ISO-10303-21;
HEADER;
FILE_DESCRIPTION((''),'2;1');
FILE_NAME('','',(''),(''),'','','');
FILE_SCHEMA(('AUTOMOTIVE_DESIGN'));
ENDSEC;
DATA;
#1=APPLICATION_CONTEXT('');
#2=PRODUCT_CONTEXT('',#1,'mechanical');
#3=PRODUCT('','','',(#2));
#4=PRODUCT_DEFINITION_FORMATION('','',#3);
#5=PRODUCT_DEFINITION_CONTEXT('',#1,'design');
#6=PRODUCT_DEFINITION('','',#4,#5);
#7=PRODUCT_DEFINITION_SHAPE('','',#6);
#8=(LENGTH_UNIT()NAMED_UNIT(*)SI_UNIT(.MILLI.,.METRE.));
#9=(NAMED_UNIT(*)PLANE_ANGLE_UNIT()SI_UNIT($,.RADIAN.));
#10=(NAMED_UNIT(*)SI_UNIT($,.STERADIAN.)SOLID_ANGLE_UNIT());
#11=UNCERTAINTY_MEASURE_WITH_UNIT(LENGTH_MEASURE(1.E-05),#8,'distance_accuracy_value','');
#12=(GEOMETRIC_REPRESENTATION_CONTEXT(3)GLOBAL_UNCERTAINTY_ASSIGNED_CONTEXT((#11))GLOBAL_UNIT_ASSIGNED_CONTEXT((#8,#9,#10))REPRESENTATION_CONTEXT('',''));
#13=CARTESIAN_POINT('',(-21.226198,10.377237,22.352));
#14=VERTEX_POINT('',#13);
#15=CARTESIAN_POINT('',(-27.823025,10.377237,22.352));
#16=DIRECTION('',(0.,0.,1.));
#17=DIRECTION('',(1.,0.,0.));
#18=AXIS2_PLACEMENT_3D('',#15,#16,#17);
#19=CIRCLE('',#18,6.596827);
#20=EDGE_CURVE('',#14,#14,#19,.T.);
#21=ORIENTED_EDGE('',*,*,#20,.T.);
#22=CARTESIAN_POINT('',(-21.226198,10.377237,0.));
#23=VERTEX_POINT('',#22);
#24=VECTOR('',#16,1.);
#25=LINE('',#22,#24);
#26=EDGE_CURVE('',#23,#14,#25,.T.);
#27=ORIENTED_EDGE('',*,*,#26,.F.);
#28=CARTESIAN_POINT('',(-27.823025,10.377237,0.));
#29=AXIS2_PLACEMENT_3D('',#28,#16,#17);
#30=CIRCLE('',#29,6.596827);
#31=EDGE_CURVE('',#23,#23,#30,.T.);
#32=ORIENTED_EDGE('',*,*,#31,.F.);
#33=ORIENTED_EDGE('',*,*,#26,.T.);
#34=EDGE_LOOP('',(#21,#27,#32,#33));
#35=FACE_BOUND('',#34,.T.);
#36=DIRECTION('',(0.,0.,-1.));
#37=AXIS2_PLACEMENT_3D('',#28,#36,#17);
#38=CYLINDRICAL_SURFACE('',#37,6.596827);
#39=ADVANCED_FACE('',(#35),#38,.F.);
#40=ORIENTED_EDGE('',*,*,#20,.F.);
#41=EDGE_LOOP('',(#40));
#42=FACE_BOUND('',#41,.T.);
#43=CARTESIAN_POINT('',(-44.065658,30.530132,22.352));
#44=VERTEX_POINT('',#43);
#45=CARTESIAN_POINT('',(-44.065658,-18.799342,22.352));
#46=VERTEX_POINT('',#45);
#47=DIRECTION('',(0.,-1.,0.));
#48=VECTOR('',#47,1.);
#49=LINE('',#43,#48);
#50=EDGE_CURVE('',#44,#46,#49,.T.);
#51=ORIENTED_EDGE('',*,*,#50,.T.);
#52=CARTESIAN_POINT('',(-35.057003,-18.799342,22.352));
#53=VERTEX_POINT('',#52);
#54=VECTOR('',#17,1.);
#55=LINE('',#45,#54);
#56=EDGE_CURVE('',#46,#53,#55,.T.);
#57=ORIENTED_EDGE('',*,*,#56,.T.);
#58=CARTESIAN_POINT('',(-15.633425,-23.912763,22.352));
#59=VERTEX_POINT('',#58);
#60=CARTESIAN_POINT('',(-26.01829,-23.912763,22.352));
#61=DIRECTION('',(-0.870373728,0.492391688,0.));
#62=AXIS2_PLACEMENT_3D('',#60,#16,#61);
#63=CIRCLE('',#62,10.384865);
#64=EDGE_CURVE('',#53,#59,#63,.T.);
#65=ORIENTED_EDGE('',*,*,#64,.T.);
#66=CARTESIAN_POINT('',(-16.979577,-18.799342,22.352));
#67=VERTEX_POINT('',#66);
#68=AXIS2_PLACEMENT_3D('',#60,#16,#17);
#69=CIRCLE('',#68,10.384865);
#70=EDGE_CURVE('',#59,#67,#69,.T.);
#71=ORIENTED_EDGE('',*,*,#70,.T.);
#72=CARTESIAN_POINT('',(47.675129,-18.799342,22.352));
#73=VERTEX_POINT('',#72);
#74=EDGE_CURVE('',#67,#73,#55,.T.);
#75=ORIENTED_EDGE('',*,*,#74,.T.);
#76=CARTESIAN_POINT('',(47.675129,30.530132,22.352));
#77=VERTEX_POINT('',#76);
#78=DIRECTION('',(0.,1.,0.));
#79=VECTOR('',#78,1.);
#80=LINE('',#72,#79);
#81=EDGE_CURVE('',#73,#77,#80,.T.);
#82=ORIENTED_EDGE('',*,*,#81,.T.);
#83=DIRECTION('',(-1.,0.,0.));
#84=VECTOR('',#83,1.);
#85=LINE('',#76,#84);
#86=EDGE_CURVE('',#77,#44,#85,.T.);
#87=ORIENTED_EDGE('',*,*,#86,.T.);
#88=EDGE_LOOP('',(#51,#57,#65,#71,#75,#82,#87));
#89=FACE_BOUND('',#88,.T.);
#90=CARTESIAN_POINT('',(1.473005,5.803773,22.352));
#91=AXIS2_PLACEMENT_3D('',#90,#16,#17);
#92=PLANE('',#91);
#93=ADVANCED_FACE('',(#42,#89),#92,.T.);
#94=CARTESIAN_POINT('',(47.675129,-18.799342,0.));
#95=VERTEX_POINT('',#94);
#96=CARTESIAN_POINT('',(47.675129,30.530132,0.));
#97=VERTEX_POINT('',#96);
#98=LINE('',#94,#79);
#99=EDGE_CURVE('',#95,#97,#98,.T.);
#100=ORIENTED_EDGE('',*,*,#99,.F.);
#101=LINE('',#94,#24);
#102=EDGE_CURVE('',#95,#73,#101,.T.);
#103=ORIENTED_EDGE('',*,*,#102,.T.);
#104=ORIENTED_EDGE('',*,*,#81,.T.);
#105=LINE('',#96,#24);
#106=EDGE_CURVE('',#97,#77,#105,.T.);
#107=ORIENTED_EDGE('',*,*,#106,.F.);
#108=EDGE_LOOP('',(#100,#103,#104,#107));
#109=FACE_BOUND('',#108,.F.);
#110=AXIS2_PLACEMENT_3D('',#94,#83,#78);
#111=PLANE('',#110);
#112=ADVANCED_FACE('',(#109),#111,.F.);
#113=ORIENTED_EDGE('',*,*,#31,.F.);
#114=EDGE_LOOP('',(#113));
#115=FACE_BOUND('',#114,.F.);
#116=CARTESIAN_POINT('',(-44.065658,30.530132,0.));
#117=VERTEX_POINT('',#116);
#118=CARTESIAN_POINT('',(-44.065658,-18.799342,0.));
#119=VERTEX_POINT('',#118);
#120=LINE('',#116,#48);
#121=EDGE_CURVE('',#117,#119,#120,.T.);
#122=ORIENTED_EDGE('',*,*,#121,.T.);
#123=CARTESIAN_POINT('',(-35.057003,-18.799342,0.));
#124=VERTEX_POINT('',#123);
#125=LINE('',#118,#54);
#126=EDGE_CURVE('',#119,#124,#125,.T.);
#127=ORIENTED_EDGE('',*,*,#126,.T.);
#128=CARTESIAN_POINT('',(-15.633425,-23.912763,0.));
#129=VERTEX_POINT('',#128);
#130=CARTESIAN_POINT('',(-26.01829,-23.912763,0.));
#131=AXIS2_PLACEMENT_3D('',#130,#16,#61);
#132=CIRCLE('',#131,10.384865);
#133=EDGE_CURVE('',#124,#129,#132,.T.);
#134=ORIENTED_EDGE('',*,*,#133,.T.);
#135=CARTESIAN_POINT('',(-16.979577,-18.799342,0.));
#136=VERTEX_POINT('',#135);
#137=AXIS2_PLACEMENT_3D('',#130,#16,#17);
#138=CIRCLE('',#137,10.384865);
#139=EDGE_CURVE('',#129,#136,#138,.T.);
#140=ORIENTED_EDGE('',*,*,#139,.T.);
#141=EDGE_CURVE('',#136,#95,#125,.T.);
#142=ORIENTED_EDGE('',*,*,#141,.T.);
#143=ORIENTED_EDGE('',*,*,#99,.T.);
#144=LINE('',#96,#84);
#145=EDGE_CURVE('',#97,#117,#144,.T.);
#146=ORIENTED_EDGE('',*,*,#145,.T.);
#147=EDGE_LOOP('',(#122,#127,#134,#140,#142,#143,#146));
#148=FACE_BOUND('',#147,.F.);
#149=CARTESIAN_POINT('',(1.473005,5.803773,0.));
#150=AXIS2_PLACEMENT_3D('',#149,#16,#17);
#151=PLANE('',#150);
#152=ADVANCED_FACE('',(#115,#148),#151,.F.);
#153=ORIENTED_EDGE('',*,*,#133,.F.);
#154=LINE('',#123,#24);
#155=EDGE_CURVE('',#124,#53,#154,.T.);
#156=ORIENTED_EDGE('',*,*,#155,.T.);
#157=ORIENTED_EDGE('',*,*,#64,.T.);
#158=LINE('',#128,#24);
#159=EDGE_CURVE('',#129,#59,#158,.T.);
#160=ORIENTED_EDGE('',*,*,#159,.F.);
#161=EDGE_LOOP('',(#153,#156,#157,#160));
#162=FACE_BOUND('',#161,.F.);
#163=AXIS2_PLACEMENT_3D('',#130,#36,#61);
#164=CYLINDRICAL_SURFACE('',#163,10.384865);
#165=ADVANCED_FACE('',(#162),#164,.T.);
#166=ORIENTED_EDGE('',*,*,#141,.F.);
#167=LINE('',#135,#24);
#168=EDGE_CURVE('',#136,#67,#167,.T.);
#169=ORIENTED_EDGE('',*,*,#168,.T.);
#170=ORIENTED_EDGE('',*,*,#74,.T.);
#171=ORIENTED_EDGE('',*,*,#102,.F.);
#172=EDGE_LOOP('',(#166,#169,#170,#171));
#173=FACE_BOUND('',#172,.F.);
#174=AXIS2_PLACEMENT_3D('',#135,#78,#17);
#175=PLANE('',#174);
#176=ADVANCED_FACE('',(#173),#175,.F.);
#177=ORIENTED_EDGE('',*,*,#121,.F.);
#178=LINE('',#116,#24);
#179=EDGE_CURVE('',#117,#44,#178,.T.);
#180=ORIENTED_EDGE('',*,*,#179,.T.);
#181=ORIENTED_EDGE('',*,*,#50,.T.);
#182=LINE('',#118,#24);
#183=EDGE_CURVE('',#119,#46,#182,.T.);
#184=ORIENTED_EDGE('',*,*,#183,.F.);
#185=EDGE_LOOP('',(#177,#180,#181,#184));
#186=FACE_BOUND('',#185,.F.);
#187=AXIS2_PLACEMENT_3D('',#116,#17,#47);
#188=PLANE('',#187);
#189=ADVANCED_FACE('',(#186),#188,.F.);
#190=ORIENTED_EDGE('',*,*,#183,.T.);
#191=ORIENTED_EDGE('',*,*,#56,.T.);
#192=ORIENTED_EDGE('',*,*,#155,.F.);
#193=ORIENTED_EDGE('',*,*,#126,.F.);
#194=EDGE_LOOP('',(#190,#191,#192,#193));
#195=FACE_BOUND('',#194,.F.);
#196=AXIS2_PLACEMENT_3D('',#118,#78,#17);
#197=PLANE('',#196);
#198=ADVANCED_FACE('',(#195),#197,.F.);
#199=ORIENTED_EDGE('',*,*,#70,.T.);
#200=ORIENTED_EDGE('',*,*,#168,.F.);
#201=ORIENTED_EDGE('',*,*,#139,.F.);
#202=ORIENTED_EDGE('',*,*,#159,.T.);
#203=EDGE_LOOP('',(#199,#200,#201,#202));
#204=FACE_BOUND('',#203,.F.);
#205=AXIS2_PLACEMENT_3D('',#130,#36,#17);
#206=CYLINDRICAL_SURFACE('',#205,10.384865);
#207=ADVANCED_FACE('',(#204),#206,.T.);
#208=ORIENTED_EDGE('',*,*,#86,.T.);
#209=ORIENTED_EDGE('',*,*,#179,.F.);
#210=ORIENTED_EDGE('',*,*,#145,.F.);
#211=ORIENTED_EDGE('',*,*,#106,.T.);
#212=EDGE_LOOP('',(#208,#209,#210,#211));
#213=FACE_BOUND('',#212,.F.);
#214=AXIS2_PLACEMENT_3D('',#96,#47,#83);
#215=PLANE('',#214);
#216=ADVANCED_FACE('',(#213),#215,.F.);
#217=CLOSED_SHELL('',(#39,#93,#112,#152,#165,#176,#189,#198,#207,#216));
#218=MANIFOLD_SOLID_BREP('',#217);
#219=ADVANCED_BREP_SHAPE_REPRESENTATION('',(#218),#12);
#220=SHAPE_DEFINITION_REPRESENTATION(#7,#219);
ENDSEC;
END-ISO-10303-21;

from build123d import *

# Parameters (mm, degrees)
F0_R     = 6.5968269578
F1_DEPTH = 22.352


with BuildPart() as f1:
    # F0 (on Top) → F1 (new body)
    with BuildSketch(Plane.XY):
        with BuildLine():
            Line((47.6751290262, 30.5301323533), (-44.0656580031, 30.5301323533))
            Line((-44.0656580031, 30.5301323533), (-44.0656580031, -18.7993422151))
            Line((-44.0656580031, -18.7993422151), (-35.0570031593, -18.7993422151))
            ThreePointArc((-35.0570031593, -18.7993422151), (-26.0182898492, -13.5278986256), (-16.979576539, -18.7993422151))
            Line((-16.979576539, -18.7993422151), (47.6751290262, -18.7993422151))
            Line((47.6751290262, -18.7993422151), (47.6751290262, 30.5301323533))
        make_face()
        with Locations((-27.8230253607, 10.3772366419)):
            Circle(F0_R, mode=Mode.SUBTRACT)
        with BuildLine():
            ThreePointArc((-16.979576539, -18.7993422151), (-26.0182898492, -13.5278986256), (-35.0570031593, -18.7993422151))
            Line((-35.0570031593, -18.7993422151), (-16.979576539, -18.7993422151))
        make_face()
        with BuildLine():
            Line((-16.979576539, -18.7993422151), (-35.0570031593, -18.7993422151))
            ThreePointArc((-35.0570031593, -18.7993422151), (-28.6621127296, -33.9554527674), (-15.6334252517, -23.9127632231))
            ThreePointArc((-15.6334252517, -23.9127632231), (-15.9756003048, -21.2689403426), (-16.979576539, -18.7993422151))
        make_face()
    extrude(amount=F1_DEPTH)


solid = f1.part
